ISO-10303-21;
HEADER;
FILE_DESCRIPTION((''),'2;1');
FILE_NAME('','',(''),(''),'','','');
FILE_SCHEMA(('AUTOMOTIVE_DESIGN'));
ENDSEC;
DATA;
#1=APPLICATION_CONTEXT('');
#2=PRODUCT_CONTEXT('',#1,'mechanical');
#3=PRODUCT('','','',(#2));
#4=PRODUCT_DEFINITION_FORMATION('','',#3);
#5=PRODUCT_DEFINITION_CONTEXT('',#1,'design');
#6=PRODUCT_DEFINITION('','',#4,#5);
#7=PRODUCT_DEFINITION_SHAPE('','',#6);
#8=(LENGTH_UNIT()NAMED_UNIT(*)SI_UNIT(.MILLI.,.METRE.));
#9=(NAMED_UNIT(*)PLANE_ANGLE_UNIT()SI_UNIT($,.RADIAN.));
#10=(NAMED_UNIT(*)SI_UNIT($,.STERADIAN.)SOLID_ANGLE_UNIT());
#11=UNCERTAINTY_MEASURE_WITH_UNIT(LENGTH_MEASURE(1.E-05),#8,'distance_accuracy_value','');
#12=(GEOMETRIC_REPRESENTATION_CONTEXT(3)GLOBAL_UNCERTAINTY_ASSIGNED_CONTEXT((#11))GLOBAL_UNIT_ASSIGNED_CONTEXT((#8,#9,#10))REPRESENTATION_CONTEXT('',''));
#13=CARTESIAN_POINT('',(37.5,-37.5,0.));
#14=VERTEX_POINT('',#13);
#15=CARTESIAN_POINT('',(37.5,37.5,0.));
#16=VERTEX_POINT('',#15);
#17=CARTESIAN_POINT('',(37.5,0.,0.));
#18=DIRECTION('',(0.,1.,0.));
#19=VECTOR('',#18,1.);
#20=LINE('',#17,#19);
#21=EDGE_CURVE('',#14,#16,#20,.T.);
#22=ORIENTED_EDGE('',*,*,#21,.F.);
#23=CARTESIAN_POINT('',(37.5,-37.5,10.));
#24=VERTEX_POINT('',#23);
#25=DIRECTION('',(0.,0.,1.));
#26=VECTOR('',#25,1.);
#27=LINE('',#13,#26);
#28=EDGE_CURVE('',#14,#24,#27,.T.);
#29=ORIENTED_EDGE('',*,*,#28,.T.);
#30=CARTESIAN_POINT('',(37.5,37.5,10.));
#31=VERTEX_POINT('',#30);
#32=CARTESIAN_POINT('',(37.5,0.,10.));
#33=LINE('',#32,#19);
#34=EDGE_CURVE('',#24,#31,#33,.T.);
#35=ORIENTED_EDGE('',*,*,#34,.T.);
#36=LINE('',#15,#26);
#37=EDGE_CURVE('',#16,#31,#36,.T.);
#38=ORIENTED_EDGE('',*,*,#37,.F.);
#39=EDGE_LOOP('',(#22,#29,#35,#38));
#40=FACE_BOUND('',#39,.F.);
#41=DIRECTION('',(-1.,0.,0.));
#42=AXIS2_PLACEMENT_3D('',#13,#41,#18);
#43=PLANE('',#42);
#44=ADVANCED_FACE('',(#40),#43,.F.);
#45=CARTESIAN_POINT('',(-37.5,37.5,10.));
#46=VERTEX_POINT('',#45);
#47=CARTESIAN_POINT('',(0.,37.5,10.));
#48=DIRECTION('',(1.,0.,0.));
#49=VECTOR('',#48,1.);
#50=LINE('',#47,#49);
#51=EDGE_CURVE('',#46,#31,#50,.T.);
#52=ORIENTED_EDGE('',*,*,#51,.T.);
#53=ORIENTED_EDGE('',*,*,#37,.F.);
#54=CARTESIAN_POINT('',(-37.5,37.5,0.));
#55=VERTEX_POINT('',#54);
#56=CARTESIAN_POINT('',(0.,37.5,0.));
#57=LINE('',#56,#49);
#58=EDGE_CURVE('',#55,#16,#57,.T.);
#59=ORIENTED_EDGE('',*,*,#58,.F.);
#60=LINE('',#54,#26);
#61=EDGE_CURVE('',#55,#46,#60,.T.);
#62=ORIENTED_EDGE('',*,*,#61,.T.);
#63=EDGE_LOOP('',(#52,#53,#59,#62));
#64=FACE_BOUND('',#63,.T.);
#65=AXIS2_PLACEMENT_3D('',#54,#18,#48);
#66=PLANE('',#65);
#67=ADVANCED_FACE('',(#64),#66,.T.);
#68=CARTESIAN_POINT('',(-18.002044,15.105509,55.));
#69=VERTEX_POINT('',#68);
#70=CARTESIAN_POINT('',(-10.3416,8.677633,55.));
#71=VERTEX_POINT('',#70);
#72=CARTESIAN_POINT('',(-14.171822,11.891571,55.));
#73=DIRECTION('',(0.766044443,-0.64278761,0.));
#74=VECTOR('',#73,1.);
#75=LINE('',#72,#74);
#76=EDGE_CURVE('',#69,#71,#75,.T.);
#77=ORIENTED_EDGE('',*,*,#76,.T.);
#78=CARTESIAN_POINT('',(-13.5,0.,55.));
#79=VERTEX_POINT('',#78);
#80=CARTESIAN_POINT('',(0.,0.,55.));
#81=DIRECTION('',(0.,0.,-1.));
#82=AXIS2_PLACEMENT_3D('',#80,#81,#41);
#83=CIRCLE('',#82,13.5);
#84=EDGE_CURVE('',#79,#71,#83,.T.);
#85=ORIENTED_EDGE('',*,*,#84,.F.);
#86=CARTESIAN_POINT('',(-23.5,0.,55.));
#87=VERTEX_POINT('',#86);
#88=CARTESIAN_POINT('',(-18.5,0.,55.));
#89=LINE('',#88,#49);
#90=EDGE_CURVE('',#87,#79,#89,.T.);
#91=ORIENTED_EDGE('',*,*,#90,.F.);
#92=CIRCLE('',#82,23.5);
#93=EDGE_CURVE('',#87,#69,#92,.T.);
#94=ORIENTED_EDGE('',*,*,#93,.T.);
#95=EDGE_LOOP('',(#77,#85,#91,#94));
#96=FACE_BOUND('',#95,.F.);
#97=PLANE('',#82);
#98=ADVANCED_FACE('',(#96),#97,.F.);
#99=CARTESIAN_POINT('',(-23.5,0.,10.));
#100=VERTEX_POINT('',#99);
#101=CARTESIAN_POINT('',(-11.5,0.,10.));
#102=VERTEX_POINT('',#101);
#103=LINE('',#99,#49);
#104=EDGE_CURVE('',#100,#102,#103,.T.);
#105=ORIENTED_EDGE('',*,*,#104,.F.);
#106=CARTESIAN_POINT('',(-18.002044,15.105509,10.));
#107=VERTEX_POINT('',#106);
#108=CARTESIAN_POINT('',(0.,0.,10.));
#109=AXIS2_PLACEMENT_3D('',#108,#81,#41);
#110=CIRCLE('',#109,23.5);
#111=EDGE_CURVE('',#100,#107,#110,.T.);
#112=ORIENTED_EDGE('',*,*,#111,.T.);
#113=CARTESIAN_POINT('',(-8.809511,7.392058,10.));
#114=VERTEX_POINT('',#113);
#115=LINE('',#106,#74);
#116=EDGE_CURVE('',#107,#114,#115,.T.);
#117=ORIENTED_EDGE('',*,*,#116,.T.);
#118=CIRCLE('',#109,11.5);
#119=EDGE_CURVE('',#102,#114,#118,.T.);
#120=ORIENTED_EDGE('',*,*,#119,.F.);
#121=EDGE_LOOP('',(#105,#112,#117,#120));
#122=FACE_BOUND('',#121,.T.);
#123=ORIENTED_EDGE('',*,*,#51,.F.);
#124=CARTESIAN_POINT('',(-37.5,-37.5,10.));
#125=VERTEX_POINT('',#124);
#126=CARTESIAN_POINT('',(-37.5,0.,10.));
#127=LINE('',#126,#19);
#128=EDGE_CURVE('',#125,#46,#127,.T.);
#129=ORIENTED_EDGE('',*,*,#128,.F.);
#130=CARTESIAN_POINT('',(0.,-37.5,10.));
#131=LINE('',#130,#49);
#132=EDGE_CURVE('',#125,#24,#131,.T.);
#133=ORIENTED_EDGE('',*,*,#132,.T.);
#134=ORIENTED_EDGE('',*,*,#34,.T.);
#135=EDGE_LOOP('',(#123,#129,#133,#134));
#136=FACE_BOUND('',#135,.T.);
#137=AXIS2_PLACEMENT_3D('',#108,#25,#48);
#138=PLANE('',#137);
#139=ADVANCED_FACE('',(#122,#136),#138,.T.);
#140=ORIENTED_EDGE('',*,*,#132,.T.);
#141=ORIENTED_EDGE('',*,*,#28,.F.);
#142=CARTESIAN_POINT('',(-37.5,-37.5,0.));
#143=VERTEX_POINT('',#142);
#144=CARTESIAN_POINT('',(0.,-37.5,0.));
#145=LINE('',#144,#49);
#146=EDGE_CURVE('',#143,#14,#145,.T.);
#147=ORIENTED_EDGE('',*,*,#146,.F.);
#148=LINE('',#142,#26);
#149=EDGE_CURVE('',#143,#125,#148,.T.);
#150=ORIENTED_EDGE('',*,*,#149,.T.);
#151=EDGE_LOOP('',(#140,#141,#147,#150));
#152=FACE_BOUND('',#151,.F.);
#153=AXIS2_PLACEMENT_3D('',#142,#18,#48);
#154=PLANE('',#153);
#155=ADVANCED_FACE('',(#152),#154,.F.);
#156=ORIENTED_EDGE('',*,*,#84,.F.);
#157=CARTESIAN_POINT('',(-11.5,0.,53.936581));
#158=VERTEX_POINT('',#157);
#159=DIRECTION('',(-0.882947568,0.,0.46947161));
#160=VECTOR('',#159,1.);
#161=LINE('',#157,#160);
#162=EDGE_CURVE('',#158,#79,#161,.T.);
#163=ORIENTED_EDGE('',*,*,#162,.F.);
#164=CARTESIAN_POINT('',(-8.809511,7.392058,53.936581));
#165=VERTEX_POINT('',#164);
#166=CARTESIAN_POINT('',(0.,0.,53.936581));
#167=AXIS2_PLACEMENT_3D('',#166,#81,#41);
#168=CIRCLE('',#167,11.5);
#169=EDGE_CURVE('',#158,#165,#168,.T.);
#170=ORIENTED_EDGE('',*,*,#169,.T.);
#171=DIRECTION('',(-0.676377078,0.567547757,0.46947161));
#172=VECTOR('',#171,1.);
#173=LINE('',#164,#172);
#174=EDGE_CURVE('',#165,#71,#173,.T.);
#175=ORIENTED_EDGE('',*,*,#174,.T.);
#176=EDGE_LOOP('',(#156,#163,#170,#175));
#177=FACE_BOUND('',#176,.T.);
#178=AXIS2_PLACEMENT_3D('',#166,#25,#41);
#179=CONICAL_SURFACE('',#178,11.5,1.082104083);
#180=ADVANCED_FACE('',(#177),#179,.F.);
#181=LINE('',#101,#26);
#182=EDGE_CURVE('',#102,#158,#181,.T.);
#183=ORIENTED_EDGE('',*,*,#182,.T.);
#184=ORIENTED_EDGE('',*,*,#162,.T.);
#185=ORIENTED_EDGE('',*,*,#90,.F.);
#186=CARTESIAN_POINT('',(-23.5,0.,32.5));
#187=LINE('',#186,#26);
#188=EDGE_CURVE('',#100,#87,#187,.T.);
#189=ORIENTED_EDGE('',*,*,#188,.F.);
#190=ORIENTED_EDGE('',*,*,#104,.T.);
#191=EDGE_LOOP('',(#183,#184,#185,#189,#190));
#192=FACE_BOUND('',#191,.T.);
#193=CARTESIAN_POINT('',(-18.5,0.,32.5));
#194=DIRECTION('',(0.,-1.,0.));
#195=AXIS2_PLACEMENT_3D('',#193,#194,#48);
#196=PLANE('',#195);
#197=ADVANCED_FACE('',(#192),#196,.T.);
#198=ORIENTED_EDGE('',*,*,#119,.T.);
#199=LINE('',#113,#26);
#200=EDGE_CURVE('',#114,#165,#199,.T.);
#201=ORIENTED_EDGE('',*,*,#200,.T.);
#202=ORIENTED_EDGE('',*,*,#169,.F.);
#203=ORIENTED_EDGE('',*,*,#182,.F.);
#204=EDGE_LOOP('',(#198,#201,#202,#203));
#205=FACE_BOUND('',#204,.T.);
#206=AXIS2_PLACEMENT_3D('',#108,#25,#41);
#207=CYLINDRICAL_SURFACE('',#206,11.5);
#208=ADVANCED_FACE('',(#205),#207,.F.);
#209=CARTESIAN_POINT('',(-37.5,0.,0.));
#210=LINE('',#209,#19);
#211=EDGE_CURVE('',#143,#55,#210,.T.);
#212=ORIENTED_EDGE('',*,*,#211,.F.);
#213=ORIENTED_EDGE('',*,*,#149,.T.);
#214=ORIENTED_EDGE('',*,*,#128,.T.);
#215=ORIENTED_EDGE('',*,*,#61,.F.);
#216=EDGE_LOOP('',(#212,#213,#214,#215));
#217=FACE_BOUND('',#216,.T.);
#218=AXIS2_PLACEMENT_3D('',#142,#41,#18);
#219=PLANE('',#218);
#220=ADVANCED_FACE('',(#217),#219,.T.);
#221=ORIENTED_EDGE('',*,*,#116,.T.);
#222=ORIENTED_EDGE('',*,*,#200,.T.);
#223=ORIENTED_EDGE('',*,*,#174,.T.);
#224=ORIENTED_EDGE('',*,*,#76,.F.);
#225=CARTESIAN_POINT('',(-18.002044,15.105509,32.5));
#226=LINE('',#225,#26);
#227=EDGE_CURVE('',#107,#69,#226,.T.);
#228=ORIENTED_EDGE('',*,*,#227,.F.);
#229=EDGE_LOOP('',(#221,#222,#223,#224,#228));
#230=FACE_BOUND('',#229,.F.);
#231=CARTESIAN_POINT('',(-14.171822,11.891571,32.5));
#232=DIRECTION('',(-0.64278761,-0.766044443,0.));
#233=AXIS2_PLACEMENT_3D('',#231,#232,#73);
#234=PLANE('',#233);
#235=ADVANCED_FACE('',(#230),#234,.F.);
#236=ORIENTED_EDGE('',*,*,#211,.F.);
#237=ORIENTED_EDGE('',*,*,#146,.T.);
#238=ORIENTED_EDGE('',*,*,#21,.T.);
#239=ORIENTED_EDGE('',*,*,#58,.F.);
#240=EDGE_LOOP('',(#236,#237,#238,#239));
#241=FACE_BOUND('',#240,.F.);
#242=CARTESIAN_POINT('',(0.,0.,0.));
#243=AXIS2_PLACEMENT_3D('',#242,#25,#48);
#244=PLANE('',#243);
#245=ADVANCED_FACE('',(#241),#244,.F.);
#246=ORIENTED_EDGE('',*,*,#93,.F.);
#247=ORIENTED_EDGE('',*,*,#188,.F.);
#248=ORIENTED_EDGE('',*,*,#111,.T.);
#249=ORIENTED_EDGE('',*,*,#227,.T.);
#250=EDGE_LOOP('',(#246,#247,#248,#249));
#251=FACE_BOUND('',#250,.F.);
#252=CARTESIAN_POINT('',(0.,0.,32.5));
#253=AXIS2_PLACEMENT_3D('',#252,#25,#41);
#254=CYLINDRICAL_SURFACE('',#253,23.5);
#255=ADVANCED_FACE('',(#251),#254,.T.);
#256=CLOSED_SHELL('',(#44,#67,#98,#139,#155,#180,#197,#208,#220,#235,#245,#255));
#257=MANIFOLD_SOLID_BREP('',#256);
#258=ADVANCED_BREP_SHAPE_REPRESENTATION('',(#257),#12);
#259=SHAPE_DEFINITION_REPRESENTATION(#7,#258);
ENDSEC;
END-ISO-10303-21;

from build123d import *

# Parameters (mm, degrees)
F0_W     = 75
F0_H     = 75
F1_DEPTH = 10
F2_W     = 10
F2_H     = 45
F3_ANGLE = 40


with BuildPart() as f1:
    # F0 (on Top) → F1 (new body)
    with BuildSketch(Plane.XY):
        Rectangle(F0_W, F0_H)
    extrude(amount=F1_DEPTH)

    # F2 (on Front) → F3 (revolve)
    with BuildSketch(Plane.XZ):
        with Locations((-18.5, 32.5)):
            Rectangle(F2_W, F2_H)
        Polygon((-11.5, 53.936581), (-13.5, 55), (-13.5, 10), (-11.5, 10), align=None)
    revolve(axis=Axis((0, 0, 34.402292), (0, 0, -1)), revolution_arc=F3_ANGLE)


solid = f1.part
